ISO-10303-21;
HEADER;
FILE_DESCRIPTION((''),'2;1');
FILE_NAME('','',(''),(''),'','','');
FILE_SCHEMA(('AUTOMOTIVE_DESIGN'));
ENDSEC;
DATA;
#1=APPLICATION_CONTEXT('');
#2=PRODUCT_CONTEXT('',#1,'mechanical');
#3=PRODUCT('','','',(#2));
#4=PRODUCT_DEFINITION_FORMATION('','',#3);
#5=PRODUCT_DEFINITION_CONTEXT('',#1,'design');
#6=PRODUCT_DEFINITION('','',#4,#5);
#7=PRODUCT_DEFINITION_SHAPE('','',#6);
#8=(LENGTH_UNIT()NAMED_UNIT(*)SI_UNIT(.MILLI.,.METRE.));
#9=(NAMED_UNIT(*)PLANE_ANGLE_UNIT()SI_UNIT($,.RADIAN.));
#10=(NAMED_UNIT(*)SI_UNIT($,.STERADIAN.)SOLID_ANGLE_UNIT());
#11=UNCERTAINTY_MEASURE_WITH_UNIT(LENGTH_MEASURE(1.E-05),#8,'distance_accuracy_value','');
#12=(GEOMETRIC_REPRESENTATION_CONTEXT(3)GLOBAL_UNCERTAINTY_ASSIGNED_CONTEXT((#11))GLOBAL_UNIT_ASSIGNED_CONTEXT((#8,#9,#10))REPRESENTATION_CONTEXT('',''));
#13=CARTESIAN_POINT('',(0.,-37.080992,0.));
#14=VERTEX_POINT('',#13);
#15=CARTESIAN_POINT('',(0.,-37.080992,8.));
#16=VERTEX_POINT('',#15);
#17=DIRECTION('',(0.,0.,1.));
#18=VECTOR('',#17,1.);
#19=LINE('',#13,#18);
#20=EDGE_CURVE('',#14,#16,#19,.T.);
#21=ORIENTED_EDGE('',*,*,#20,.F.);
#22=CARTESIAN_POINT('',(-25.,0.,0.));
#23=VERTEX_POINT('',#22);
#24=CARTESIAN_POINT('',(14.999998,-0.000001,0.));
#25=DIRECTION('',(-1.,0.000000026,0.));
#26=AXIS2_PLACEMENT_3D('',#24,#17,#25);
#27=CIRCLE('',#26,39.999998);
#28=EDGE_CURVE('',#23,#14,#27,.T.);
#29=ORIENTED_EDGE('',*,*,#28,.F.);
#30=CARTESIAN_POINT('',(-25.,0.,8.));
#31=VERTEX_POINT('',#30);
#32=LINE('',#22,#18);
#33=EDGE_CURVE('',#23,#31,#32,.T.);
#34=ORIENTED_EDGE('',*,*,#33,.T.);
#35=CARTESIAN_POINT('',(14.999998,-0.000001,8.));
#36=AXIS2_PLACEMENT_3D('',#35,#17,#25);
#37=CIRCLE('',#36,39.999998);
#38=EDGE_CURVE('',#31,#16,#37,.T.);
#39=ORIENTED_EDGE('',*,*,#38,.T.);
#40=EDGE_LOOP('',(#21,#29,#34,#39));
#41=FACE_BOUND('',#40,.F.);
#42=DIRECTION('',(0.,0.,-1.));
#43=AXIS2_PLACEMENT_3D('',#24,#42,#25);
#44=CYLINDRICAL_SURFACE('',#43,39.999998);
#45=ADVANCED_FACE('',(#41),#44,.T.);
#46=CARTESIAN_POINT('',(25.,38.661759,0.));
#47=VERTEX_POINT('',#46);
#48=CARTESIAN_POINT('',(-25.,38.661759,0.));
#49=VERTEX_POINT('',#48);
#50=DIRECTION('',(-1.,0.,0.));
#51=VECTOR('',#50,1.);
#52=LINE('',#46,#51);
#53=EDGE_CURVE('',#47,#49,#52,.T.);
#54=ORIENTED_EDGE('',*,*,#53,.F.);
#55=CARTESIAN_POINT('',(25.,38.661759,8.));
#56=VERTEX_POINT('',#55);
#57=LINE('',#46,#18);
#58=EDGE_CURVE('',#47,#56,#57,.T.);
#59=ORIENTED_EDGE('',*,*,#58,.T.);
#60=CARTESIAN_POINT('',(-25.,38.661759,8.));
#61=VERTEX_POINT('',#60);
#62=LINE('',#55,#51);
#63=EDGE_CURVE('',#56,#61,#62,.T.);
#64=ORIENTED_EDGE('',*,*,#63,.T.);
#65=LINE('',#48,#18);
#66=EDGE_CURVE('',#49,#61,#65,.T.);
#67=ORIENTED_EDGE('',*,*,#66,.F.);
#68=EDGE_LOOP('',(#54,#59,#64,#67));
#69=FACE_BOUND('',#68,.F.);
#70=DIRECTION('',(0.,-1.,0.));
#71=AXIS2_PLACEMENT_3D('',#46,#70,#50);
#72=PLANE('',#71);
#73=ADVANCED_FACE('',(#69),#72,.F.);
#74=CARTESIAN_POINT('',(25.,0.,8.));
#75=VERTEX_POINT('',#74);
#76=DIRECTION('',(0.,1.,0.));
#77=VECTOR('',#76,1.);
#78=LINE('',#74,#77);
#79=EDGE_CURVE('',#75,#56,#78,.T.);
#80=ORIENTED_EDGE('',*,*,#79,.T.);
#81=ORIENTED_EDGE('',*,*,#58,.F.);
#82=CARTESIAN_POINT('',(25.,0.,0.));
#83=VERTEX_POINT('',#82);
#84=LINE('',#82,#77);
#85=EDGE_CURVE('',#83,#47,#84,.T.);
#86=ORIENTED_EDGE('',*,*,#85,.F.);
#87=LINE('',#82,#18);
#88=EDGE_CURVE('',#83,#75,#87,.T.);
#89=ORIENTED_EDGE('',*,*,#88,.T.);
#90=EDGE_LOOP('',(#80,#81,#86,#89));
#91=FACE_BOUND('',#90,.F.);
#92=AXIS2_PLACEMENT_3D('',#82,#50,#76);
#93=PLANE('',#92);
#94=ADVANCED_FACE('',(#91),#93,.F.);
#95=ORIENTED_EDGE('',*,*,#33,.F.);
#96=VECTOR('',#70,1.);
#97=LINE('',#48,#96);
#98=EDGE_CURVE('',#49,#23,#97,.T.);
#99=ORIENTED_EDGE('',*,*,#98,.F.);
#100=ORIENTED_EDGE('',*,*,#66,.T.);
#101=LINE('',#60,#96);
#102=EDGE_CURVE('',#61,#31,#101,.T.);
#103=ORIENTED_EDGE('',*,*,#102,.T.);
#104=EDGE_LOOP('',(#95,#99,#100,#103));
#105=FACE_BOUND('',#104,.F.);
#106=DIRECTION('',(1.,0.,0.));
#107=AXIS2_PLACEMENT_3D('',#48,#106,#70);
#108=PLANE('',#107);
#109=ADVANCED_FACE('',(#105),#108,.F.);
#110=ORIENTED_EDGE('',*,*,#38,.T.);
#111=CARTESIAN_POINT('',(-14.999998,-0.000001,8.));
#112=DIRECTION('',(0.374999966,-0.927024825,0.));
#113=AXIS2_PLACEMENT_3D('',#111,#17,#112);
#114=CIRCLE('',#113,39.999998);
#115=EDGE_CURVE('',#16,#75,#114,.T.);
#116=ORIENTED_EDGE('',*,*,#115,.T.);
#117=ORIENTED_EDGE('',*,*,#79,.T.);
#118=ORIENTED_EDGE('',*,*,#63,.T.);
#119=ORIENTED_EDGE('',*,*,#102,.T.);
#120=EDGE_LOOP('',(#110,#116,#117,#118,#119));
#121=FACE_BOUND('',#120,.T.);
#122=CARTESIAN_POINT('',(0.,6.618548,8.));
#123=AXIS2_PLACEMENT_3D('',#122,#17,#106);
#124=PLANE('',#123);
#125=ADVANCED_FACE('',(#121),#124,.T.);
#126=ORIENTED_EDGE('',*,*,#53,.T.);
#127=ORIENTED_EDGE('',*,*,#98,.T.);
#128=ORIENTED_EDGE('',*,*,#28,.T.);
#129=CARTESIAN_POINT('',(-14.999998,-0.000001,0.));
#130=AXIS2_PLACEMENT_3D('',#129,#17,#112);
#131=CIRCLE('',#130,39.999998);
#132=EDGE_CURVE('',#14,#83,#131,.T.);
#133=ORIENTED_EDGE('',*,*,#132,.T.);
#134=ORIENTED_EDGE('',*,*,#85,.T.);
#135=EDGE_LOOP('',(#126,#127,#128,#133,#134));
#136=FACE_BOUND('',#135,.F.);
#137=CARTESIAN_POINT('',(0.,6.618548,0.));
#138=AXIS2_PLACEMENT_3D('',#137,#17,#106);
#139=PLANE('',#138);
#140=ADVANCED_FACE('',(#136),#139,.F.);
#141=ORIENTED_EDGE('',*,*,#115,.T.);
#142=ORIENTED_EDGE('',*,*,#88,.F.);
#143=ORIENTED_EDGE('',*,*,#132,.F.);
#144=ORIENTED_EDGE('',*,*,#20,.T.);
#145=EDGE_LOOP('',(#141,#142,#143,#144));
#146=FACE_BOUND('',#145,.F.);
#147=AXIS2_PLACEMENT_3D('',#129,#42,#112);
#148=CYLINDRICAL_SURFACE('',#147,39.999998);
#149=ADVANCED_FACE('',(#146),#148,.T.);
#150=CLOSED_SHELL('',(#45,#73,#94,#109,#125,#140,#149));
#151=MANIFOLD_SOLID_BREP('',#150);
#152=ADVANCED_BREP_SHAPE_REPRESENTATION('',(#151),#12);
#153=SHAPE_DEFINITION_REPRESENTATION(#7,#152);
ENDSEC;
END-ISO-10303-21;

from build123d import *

# Parameters (mm, degrees)
F1_DEPTH = 8


with BuildPart() as f1:
    # F0 (on Top) → F1 (new body)
    with BuildSketch(Plane.XY):
        with BuildLine():
            Line((25, 38.661759), (-25, 38.661759))
            Line((-25, 38.661759), (-25, 0))
            ThreePointArc((-25, 0), (-18.166248, -22.36068), (0, -37.080992))
            ThreePointArc((0, -37.080992), (18.166248, -22.36068), (25, 0))
            Line((25, 0), (25, 38.661759))
        make_face()
    extrude(amount=F1_DEPTH)


solid = f1.part
